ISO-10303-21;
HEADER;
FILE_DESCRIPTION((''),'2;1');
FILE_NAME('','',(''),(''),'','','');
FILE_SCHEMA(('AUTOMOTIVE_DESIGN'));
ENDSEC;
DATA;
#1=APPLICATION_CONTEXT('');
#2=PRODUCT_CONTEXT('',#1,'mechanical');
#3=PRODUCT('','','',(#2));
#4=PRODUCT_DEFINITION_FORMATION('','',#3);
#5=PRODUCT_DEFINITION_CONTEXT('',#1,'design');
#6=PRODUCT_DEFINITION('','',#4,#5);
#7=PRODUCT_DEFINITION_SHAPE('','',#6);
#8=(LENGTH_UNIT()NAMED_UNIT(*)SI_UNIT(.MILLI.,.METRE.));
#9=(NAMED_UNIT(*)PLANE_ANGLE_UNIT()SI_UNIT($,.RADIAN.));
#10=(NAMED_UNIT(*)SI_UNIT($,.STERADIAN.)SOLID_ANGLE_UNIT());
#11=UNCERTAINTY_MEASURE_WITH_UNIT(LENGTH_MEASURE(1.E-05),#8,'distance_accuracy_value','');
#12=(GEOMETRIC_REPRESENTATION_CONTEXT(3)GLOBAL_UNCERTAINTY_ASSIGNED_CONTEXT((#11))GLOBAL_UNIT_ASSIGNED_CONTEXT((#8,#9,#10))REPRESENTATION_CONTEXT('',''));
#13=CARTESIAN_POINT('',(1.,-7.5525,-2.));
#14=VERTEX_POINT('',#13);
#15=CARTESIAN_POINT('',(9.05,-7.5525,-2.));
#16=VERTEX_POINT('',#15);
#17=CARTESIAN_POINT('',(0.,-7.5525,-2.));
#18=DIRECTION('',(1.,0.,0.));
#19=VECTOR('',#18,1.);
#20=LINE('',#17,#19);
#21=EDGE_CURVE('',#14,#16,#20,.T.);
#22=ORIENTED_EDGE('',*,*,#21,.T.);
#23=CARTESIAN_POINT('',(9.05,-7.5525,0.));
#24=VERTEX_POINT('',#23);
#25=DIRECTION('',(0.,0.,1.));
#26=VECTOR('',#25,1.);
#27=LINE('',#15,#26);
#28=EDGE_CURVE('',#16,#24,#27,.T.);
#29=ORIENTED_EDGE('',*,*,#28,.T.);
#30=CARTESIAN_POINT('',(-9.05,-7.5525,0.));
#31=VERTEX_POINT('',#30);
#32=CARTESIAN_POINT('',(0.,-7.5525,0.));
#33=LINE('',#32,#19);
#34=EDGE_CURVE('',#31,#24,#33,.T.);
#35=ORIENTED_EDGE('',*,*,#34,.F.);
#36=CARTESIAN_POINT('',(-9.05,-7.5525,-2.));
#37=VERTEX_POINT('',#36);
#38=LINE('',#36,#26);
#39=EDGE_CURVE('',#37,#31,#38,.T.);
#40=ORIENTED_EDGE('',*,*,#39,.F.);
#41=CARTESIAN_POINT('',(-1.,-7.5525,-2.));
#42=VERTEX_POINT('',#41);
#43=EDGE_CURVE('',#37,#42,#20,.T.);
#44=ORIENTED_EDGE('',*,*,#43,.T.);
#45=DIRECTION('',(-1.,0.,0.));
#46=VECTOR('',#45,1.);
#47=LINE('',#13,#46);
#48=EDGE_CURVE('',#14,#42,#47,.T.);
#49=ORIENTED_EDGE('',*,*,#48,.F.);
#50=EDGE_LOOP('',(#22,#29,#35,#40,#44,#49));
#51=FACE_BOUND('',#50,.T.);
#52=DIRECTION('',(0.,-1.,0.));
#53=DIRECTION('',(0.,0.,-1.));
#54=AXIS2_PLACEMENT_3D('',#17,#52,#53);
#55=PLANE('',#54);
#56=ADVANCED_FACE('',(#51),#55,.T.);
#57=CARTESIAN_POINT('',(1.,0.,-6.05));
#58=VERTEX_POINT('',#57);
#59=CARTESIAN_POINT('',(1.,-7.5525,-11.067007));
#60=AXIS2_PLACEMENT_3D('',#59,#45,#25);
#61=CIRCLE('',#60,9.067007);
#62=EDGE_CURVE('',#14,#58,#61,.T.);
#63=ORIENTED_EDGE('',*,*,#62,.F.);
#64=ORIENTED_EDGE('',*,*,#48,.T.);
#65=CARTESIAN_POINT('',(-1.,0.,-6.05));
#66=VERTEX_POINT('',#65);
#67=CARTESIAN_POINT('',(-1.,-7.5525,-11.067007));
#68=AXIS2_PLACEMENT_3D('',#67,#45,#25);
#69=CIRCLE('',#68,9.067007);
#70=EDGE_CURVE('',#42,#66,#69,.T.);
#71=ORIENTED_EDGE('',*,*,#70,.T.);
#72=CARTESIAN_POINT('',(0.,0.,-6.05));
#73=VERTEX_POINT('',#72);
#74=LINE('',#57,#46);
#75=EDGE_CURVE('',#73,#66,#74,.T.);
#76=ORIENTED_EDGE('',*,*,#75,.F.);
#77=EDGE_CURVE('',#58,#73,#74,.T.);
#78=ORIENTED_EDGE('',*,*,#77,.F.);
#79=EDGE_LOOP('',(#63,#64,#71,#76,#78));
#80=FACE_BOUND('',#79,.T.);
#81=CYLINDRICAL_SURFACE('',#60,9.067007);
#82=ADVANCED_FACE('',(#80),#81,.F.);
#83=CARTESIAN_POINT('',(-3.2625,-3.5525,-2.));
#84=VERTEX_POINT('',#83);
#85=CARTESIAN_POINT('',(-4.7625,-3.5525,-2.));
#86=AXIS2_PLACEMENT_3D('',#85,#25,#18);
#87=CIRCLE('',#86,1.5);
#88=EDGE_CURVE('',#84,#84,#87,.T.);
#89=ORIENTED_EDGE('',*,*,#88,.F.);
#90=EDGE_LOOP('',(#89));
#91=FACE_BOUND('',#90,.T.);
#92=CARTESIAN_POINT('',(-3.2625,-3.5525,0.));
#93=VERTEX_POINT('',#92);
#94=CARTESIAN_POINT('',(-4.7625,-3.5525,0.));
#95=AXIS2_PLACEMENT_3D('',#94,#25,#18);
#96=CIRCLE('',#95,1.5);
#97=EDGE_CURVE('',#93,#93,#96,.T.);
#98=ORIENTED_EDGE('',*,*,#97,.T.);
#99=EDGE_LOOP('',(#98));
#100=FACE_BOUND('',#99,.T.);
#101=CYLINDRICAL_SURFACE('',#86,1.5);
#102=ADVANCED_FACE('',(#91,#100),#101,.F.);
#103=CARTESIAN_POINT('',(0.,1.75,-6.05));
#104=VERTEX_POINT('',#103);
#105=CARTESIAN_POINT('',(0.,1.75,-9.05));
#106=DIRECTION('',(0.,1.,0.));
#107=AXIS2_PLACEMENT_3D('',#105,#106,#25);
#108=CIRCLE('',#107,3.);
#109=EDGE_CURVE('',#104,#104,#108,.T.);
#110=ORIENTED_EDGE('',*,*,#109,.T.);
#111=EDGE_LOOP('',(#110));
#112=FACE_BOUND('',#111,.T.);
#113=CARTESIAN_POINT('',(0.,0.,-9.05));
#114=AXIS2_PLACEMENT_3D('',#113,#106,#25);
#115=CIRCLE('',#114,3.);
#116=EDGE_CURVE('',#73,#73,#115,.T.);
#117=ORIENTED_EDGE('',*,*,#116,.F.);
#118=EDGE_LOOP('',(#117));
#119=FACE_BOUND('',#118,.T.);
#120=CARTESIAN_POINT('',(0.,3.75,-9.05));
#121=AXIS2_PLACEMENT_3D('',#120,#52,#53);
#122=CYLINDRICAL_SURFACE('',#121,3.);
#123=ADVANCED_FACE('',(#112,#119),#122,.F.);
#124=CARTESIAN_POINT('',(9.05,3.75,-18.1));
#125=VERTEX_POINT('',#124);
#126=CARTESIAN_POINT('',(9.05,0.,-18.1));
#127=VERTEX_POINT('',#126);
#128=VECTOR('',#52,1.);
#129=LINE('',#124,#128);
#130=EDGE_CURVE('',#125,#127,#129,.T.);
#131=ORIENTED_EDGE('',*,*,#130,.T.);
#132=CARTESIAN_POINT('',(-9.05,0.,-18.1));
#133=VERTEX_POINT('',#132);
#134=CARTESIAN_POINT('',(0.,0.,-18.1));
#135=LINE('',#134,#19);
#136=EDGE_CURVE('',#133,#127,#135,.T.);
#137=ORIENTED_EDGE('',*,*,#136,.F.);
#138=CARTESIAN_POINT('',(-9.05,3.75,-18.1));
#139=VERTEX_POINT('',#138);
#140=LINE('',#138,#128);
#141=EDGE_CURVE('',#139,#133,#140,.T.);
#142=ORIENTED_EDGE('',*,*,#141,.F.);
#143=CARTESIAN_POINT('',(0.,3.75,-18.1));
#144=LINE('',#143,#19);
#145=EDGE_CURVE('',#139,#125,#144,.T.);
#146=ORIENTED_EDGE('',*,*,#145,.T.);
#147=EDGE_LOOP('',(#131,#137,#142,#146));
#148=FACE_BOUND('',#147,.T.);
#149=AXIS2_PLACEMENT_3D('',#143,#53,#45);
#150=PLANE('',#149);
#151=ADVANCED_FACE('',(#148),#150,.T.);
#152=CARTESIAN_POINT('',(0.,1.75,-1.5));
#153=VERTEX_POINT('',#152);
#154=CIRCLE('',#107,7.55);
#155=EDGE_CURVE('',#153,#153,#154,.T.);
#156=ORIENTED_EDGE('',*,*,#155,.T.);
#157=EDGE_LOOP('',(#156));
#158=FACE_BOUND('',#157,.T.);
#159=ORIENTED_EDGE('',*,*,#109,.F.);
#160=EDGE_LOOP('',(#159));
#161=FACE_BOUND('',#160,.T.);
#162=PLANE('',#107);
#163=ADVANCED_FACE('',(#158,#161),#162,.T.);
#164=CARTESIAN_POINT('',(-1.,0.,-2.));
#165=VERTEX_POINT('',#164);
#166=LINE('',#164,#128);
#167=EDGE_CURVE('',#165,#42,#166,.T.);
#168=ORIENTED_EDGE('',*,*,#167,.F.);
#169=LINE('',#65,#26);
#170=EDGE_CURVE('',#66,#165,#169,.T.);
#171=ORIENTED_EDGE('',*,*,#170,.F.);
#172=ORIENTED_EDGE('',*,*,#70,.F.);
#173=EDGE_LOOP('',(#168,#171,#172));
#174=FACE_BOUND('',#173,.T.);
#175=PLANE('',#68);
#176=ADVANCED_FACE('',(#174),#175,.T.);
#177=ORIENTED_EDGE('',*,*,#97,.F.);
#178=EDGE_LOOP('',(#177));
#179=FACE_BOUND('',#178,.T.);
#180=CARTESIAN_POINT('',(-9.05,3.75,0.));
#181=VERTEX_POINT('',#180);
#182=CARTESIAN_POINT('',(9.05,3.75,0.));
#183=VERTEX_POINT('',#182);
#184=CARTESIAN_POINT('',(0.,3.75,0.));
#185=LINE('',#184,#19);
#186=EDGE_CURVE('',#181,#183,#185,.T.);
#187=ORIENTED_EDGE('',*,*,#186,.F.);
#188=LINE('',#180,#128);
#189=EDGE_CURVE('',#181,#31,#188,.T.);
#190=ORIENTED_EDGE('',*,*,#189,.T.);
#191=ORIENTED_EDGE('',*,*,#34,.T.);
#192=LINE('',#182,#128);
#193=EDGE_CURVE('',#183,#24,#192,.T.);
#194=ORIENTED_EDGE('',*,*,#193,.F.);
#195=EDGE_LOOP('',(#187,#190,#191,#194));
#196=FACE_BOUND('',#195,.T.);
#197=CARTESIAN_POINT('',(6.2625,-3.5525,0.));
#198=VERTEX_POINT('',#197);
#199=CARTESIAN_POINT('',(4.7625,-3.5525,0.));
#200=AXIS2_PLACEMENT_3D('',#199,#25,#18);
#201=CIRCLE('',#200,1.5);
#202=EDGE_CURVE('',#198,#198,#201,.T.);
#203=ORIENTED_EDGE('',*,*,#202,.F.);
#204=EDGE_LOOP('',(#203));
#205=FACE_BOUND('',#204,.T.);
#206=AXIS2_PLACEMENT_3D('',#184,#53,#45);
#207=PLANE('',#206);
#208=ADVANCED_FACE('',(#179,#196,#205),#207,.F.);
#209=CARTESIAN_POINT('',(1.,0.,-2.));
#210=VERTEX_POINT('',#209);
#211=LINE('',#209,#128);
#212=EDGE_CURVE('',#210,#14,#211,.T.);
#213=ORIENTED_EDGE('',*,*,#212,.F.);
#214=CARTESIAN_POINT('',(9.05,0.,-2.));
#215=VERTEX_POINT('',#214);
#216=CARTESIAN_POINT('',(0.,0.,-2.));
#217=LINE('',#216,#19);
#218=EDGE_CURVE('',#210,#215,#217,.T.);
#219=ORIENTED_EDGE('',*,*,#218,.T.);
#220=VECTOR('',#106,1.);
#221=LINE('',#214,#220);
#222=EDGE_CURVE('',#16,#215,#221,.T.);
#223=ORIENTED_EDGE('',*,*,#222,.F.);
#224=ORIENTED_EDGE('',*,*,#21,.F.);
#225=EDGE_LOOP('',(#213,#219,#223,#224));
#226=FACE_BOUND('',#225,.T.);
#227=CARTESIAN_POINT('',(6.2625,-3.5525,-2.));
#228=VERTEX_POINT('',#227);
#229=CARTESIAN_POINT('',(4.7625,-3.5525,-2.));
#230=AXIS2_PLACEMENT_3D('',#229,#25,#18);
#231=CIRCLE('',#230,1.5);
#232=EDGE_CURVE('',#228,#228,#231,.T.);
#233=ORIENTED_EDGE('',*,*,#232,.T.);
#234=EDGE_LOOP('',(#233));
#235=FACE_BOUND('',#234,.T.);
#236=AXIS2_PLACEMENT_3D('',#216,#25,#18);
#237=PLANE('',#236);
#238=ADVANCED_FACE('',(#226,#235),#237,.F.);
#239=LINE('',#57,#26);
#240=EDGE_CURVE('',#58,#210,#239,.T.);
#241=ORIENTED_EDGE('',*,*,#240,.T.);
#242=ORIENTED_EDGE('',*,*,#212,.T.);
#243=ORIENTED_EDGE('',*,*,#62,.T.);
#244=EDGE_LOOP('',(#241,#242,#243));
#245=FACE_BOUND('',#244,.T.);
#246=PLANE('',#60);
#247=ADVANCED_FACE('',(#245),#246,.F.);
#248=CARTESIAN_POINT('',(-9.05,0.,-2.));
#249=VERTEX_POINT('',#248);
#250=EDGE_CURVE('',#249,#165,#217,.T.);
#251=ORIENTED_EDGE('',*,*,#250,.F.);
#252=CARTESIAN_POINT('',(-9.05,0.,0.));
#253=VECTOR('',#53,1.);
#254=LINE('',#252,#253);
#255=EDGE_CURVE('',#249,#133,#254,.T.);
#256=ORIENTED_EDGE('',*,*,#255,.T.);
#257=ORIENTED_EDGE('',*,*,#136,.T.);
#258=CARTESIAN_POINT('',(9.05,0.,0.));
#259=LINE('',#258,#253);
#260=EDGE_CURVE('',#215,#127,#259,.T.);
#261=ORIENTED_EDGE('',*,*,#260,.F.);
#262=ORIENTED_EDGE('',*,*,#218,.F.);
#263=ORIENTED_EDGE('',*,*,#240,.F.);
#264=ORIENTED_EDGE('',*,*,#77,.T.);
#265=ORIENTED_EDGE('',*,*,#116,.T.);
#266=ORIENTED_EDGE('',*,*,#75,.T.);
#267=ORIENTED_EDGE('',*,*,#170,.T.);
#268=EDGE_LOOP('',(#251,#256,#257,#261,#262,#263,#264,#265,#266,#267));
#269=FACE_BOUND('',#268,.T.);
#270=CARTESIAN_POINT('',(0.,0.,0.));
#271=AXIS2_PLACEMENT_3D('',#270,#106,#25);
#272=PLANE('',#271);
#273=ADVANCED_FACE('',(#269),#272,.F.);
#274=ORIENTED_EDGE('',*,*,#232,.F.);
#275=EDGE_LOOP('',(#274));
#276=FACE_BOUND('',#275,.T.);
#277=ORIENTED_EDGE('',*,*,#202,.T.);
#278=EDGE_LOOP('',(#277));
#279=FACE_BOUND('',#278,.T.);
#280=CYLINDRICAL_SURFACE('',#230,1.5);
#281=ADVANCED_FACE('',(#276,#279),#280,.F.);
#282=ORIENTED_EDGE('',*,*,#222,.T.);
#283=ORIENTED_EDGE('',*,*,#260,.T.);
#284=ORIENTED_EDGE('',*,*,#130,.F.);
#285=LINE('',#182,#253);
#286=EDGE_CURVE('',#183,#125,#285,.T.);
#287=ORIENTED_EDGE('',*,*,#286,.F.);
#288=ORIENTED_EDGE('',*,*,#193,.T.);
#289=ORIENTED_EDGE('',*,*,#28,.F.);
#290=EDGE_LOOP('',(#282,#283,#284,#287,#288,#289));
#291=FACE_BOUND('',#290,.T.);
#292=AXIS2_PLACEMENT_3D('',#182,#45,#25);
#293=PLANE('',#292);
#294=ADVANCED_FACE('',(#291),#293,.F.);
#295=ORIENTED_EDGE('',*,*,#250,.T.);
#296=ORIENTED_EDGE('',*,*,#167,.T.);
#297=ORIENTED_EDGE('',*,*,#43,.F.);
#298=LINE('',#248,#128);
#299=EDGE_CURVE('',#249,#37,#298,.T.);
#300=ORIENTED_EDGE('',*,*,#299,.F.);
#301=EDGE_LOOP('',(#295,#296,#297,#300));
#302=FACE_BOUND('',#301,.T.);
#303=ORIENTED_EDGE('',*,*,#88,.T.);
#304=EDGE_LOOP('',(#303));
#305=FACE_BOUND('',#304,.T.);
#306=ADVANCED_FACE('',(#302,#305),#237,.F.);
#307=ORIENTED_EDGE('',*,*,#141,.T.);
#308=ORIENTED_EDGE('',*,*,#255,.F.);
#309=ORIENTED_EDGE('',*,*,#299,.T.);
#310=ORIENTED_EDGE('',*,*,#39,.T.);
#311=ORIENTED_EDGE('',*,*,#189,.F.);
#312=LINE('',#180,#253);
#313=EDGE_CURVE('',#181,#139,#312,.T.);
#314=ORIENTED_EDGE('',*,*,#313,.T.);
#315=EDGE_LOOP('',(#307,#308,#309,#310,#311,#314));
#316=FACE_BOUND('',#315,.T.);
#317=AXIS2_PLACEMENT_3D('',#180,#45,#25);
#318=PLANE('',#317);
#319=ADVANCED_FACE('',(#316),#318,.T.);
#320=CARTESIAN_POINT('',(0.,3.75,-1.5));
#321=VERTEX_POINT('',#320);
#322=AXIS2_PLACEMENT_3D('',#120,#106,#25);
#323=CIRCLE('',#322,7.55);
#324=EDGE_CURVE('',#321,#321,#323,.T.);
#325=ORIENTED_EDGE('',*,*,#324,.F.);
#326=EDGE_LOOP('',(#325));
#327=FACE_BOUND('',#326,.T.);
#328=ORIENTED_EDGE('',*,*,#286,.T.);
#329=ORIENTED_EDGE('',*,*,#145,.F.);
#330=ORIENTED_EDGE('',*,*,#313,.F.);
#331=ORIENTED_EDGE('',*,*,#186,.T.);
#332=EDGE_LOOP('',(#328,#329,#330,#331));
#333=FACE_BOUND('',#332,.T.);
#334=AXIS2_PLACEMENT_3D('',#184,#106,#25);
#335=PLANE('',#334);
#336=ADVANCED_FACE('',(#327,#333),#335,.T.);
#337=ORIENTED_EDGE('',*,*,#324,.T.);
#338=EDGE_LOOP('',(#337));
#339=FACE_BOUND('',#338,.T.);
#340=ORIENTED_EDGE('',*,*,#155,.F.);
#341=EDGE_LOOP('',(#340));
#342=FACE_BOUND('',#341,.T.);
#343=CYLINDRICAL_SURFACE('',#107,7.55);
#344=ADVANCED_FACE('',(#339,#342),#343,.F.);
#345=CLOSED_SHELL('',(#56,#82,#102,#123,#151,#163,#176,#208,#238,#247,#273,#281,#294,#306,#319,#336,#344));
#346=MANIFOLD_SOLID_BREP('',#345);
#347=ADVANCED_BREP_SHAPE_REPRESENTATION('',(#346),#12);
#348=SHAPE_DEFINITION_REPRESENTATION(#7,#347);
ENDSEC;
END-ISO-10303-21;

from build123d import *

# Parameters (mm, degrees)
SKETCH2_W           = 18.1
SKETCH2_H           = 18.1
SKETCH2_R           = 3
BOSS_EXTRUDE1_DEPTH = 3.75
CUT_EXTRUDE1_START  = 3.75
SKETCH2_3_R         = 7.55
CUT_EXTRUDE1_DEPTH  = 2
SKETCH3_W           = 18.1
SKETCH3_H           = 7.5525
SKETCH3_R           = 1.5
BOSS_EXTRUDE2_DEPTH = 2
BOSS_EXTRUDE3_DEPTH = 1


with BuildPart() as part:
    # Sketch2 → Boss-Extrude1 (new body)
    with BuildSketch(Plane(origin=(0, 0, 0), x_dir=(1, 0, 0), z_dir=(0, 1, 0))):
        with Locations((0, 9.05)):
            Rectangle(SKETCH2_W, SKETCH2_H)
        with Locations(Location((0, 9.05, 0), (0, 0, 270))):
            Circle(SKETCH2_R, mode=Mode.SUBTRACT)
    extrude(amount=BOSS_EXTRUDE1_DEPTH)

    # Sketch2<3> → Cut-Extrude1 (cut)
    with BuildSketch(Plane(origin=(0, 0, 0), x_dir=(1, 0, 0), z_dir=(0, 1, 0)).offset(CUT_EXTRUDE1_START)):
        with Locations(Location((0, 9.05, 0), (0, 0, 270))):
            Circle(SKETCH2_3_R)
    extrude(amount=-CUT_EXTRUDE1_DEPTH, mode=Mode.SUBTRACT)

    # Sketch3 → Boss-Extrude2 (add)
    with BuildSketch(Plane.XY):
        with Locations((0, -3.77625)):
            Rectangle(SKETCH3_W, SKETCH3_H)
        with Locations((4.7625, -3.5525)):
            Circle(SKETCH3_R, mode=Mode.SUBTRACT)
        with Locations((-4.7625, -3.5525)):
            Circle(SKETCH3_R, mode=Mode.SUBTRACT)
    extrude(amount=-BOSS_EXTRUDE2_DEPTH)

    # Sketch5 → Boss-Extrude3 (add, symmetric)
    with BuildSketch(Plane(origin=(0, 0, 0), x_dir=(0, 0, -1), z_dir=(1, 0, 0))):
        with BuildLine():
            Line((2, 0), (2, -7.5525))
            ThreePointArc((2, -7.5525), (3.076392083, -3.267562537), (6.05, 0))
            Line((6.05, 0), (2, 0))
        make_face()
    extrude(amount=BOSS_EXTRUDE3_DEPTH, both=True)


solid = part.part
